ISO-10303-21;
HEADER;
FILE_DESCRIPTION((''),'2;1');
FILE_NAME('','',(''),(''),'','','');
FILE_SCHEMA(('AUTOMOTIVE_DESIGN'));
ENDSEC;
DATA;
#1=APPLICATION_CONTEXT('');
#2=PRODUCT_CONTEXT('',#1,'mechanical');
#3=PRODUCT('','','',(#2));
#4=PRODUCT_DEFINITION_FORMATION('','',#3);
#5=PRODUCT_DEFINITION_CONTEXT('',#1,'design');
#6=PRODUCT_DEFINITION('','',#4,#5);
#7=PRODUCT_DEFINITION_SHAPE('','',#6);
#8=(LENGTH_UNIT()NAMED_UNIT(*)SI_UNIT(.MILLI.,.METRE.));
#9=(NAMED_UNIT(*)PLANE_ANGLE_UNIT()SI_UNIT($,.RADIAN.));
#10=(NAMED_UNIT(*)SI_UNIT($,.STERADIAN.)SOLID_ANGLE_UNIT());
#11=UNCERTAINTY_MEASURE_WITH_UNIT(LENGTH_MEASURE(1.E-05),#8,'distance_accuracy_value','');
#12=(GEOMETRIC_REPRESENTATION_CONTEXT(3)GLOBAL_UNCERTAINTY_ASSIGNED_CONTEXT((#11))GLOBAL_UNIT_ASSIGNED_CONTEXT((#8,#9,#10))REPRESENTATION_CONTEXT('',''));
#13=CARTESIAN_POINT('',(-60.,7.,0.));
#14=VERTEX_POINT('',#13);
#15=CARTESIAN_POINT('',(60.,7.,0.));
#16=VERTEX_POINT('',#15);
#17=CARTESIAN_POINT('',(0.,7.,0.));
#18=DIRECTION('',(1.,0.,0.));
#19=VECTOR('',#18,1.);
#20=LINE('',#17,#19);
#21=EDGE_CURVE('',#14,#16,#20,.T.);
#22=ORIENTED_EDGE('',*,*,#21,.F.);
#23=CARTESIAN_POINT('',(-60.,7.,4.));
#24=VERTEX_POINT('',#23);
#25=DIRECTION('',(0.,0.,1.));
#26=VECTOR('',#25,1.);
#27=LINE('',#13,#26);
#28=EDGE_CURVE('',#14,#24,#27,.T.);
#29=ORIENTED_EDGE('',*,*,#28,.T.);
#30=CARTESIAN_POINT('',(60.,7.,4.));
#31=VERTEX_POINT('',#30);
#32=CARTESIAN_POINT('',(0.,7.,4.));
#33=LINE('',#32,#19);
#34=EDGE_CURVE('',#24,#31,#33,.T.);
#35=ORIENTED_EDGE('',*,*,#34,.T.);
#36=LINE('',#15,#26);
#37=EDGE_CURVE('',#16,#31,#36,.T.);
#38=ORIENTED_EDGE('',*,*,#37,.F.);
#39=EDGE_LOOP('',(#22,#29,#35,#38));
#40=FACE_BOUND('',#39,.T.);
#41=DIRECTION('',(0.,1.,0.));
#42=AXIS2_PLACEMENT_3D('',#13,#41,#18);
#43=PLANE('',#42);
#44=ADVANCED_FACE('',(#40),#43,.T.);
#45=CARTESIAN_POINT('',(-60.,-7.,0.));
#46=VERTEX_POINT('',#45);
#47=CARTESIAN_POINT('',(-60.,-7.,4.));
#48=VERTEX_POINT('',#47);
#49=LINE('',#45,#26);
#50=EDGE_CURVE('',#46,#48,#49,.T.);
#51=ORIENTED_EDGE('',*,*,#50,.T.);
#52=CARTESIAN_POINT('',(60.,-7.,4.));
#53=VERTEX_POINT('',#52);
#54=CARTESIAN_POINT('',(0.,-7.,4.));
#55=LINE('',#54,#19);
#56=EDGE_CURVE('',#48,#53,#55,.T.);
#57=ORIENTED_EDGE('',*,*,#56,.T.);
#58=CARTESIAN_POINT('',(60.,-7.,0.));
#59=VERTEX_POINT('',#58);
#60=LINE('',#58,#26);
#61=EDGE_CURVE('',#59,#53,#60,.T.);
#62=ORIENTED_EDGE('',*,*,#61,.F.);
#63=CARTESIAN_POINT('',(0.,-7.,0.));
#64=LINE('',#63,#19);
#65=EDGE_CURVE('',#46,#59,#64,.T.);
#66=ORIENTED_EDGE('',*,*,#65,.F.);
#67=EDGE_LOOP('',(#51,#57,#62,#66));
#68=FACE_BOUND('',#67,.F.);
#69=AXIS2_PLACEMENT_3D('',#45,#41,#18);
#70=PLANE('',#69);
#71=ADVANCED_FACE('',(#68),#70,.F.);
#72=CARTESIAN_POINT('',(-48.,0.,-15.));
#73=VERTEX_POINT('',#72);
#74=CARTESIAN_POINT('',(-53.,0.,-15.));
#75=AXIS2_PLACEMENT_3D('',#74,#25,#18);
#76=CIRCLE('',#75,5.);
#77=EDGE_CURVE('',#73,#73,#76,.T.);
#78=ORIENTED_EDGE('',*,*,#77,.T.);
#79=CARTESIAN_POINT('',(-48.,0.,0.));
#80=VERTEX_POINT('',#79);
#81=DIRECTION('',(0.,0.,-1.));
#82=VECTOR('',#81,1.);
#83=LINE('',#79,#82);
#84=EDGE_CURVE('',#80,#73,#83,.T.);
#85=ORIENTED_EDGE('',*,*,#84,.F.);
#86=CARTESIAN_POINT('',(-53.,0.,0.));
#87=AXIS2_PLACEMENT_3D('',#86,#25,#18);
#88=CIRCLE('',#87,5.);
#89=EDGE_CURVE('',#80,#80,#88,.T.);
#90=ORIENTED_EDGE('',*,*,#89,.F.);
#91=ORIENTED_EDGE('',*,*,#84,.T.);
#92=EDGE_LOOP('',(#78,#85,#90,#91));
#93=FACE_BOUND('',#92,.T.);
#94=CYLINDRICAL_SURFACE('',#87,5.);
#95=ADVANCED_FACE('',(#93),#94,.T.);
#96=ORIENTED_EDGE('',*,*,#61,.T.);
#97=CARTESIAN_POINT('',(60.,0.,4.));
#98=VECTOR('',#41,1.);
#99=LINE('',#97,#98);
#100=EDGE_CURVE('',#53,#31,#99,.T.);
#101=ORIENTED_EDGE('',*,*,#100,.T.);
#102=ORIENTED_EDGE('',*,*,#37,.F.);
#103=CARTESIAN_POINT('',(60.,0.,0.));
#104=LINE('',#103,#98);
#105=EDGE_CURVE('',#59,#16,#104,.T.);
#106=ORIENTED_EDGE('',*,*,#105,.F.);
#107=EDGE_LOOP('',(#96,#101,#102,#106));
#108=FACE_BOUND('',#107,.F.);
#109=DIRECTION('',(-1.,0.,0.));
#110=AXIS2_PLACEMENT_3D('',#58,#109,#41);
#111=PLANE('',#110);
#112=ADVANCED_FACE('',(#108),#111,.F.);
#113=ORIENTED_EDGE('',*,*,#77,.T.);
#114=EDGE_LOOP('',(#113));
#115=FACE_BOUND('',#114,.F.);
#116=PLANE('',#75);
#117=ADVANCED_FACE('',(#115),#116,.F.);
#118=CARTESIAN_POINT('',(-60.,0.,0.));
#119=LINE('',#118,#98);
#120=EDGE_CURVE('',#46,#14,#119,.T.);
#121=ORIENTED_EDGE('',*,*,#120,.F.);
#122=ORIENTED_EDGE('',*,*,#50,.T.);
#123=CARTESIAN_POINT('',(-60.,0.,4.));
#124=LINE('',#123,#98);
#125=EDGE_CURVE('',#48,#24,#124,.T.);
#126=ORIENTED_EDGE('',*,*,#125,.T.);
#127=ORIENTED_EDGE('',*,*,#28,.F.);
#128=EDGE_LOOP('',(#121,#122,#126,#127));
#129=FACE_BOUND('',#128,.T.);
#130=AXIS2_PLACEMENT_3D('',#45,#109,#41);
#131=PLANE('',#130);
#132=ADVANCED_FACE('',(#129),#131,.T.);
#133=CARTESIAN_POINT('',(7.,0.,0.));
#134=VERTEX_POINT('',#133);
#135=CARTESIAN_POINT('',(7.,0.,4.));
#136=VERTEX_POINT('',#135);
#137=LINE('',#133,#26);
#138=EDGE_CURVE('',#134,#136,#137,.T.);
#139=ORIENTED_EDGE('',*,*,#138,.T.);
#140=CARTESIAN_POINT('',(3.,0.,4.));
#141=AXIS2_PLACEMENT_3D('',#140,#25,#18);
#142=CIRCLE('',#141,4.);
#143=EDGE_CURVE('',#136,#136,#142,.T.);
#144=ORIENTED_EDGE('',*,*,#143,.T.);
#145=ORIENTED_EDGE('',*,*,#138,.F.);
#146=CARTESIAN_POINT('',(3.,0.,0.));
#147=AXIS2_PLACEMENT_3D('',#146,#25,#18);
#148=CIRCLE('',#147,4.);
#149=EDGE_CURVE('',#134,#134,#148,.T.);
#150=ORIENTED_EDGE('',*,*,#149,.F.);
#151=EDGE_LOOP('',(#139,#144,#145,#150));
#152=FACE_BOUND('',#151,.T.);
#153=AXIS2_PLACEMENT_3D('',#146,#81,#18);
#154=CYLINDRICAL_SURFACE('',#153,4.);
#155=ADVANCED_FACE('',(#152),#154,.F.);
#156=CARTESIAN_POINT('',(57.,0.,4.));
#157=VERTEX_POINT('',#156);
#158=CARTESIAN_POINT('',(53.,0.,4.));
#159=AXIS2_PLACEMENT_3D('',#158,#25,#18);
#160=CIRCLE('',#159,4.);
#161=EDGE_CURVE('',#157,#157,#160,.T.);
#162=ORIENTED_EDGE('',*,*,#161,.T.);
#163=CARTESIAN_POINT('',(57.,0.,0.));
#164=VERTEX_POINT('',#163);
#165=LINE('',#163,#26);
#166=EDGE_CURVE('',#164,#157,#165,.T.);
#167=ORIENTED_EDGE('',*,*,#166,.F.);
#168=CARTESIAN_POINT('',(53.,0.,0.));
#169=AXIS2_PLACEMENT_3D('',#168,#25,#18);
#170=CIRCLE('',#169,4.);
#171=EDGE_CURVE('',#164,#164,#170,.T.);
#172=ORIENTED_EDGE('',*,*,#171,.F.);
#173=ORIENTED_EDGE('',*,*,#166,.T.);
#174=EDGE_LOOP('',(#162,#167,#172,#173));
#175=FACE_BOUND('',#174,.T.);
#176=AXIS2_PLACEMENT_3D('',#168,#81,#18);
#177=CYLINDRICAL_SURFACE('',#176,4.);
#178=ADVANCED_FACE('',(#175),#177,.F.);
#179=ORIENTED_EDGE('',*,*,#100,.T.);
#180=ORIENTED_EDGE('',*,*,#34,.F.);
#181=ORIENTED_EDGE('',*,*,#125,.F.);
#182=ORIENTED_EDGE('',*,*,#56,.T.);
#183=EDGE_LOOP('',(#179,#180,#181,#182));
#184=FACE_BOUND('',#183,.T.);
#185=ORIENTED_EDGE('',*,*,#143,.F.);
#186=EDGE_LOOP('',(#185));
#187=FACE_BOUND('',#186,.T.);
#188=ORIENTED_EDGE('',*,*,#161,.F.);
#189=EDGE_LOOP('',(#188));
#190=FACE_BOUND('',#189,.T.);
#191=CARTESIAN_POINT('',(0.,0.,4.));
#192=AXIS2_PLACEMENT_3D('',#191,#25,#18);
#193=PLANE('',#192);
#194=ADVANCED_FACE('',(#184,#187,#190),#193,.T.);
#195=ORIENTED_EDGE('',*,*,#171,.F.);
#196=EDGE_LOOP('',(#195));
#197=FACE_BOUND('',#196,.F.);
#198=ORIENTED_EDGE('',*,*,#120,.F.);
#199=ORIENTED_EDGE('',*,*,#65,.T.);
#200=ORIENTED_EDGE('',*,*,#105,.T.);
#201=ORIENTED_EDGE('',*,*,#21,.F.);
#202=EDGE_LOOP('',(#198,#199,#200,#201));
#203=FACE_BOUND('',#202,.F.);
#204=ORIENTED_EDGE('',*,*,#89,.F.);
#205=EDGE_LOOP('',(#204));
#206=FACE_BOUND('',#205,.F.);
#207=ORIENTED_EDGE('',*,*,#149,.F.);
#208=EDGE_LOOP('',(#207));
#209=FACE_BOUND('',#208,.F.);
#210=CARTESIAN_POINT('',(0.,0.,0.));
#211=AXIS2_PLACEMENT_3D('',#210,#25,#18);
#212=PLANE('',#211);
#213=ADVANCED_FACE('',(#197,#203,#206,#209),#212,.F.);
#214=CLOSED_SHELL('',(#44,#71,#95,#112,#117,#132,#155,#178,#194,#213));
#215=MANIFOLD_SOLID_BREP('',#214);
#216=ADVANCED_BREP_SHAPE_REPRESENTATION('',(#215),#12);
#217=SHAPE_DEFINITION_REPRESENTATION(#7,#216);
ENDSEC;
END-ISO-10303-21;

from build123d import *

# Parameters (mm, degrees)
F0_W     = 120
F0_H     = 14
F0_R     = 5
F0_R_2   = 4
F1_DEPTH = 4
F2_DEPTH = 15


with BuildPart() as f1:
    # F0 (on Top) → F1 (new body)
    with BuildSketch(Plane.XY):
        Rectangle(F0_W, F0_H)
        with Locations((-53, 0)):
            Circle(F0_R, mode=Mode.SUBTRACT)
        with Locations((3, 0)):
            Circle(F0_R_2, mode=Mode.SUBTRACT)
        with Locations((53, 0)):
            Circle(F0_R_2, mode=Mode.SUBTRACT)
        with Locations((-53, 0)):
            Circle(F0_R)
    extrude(amount=F1_DEPTH)

    # F0 (on Top) → F2 (join)
    with BuildSketch(Plane.XY):
        with Locations((-53, 0)):
            Circle(F0_R)
    extrude(amount=-F2_DEPTH)


solid = f1.part
